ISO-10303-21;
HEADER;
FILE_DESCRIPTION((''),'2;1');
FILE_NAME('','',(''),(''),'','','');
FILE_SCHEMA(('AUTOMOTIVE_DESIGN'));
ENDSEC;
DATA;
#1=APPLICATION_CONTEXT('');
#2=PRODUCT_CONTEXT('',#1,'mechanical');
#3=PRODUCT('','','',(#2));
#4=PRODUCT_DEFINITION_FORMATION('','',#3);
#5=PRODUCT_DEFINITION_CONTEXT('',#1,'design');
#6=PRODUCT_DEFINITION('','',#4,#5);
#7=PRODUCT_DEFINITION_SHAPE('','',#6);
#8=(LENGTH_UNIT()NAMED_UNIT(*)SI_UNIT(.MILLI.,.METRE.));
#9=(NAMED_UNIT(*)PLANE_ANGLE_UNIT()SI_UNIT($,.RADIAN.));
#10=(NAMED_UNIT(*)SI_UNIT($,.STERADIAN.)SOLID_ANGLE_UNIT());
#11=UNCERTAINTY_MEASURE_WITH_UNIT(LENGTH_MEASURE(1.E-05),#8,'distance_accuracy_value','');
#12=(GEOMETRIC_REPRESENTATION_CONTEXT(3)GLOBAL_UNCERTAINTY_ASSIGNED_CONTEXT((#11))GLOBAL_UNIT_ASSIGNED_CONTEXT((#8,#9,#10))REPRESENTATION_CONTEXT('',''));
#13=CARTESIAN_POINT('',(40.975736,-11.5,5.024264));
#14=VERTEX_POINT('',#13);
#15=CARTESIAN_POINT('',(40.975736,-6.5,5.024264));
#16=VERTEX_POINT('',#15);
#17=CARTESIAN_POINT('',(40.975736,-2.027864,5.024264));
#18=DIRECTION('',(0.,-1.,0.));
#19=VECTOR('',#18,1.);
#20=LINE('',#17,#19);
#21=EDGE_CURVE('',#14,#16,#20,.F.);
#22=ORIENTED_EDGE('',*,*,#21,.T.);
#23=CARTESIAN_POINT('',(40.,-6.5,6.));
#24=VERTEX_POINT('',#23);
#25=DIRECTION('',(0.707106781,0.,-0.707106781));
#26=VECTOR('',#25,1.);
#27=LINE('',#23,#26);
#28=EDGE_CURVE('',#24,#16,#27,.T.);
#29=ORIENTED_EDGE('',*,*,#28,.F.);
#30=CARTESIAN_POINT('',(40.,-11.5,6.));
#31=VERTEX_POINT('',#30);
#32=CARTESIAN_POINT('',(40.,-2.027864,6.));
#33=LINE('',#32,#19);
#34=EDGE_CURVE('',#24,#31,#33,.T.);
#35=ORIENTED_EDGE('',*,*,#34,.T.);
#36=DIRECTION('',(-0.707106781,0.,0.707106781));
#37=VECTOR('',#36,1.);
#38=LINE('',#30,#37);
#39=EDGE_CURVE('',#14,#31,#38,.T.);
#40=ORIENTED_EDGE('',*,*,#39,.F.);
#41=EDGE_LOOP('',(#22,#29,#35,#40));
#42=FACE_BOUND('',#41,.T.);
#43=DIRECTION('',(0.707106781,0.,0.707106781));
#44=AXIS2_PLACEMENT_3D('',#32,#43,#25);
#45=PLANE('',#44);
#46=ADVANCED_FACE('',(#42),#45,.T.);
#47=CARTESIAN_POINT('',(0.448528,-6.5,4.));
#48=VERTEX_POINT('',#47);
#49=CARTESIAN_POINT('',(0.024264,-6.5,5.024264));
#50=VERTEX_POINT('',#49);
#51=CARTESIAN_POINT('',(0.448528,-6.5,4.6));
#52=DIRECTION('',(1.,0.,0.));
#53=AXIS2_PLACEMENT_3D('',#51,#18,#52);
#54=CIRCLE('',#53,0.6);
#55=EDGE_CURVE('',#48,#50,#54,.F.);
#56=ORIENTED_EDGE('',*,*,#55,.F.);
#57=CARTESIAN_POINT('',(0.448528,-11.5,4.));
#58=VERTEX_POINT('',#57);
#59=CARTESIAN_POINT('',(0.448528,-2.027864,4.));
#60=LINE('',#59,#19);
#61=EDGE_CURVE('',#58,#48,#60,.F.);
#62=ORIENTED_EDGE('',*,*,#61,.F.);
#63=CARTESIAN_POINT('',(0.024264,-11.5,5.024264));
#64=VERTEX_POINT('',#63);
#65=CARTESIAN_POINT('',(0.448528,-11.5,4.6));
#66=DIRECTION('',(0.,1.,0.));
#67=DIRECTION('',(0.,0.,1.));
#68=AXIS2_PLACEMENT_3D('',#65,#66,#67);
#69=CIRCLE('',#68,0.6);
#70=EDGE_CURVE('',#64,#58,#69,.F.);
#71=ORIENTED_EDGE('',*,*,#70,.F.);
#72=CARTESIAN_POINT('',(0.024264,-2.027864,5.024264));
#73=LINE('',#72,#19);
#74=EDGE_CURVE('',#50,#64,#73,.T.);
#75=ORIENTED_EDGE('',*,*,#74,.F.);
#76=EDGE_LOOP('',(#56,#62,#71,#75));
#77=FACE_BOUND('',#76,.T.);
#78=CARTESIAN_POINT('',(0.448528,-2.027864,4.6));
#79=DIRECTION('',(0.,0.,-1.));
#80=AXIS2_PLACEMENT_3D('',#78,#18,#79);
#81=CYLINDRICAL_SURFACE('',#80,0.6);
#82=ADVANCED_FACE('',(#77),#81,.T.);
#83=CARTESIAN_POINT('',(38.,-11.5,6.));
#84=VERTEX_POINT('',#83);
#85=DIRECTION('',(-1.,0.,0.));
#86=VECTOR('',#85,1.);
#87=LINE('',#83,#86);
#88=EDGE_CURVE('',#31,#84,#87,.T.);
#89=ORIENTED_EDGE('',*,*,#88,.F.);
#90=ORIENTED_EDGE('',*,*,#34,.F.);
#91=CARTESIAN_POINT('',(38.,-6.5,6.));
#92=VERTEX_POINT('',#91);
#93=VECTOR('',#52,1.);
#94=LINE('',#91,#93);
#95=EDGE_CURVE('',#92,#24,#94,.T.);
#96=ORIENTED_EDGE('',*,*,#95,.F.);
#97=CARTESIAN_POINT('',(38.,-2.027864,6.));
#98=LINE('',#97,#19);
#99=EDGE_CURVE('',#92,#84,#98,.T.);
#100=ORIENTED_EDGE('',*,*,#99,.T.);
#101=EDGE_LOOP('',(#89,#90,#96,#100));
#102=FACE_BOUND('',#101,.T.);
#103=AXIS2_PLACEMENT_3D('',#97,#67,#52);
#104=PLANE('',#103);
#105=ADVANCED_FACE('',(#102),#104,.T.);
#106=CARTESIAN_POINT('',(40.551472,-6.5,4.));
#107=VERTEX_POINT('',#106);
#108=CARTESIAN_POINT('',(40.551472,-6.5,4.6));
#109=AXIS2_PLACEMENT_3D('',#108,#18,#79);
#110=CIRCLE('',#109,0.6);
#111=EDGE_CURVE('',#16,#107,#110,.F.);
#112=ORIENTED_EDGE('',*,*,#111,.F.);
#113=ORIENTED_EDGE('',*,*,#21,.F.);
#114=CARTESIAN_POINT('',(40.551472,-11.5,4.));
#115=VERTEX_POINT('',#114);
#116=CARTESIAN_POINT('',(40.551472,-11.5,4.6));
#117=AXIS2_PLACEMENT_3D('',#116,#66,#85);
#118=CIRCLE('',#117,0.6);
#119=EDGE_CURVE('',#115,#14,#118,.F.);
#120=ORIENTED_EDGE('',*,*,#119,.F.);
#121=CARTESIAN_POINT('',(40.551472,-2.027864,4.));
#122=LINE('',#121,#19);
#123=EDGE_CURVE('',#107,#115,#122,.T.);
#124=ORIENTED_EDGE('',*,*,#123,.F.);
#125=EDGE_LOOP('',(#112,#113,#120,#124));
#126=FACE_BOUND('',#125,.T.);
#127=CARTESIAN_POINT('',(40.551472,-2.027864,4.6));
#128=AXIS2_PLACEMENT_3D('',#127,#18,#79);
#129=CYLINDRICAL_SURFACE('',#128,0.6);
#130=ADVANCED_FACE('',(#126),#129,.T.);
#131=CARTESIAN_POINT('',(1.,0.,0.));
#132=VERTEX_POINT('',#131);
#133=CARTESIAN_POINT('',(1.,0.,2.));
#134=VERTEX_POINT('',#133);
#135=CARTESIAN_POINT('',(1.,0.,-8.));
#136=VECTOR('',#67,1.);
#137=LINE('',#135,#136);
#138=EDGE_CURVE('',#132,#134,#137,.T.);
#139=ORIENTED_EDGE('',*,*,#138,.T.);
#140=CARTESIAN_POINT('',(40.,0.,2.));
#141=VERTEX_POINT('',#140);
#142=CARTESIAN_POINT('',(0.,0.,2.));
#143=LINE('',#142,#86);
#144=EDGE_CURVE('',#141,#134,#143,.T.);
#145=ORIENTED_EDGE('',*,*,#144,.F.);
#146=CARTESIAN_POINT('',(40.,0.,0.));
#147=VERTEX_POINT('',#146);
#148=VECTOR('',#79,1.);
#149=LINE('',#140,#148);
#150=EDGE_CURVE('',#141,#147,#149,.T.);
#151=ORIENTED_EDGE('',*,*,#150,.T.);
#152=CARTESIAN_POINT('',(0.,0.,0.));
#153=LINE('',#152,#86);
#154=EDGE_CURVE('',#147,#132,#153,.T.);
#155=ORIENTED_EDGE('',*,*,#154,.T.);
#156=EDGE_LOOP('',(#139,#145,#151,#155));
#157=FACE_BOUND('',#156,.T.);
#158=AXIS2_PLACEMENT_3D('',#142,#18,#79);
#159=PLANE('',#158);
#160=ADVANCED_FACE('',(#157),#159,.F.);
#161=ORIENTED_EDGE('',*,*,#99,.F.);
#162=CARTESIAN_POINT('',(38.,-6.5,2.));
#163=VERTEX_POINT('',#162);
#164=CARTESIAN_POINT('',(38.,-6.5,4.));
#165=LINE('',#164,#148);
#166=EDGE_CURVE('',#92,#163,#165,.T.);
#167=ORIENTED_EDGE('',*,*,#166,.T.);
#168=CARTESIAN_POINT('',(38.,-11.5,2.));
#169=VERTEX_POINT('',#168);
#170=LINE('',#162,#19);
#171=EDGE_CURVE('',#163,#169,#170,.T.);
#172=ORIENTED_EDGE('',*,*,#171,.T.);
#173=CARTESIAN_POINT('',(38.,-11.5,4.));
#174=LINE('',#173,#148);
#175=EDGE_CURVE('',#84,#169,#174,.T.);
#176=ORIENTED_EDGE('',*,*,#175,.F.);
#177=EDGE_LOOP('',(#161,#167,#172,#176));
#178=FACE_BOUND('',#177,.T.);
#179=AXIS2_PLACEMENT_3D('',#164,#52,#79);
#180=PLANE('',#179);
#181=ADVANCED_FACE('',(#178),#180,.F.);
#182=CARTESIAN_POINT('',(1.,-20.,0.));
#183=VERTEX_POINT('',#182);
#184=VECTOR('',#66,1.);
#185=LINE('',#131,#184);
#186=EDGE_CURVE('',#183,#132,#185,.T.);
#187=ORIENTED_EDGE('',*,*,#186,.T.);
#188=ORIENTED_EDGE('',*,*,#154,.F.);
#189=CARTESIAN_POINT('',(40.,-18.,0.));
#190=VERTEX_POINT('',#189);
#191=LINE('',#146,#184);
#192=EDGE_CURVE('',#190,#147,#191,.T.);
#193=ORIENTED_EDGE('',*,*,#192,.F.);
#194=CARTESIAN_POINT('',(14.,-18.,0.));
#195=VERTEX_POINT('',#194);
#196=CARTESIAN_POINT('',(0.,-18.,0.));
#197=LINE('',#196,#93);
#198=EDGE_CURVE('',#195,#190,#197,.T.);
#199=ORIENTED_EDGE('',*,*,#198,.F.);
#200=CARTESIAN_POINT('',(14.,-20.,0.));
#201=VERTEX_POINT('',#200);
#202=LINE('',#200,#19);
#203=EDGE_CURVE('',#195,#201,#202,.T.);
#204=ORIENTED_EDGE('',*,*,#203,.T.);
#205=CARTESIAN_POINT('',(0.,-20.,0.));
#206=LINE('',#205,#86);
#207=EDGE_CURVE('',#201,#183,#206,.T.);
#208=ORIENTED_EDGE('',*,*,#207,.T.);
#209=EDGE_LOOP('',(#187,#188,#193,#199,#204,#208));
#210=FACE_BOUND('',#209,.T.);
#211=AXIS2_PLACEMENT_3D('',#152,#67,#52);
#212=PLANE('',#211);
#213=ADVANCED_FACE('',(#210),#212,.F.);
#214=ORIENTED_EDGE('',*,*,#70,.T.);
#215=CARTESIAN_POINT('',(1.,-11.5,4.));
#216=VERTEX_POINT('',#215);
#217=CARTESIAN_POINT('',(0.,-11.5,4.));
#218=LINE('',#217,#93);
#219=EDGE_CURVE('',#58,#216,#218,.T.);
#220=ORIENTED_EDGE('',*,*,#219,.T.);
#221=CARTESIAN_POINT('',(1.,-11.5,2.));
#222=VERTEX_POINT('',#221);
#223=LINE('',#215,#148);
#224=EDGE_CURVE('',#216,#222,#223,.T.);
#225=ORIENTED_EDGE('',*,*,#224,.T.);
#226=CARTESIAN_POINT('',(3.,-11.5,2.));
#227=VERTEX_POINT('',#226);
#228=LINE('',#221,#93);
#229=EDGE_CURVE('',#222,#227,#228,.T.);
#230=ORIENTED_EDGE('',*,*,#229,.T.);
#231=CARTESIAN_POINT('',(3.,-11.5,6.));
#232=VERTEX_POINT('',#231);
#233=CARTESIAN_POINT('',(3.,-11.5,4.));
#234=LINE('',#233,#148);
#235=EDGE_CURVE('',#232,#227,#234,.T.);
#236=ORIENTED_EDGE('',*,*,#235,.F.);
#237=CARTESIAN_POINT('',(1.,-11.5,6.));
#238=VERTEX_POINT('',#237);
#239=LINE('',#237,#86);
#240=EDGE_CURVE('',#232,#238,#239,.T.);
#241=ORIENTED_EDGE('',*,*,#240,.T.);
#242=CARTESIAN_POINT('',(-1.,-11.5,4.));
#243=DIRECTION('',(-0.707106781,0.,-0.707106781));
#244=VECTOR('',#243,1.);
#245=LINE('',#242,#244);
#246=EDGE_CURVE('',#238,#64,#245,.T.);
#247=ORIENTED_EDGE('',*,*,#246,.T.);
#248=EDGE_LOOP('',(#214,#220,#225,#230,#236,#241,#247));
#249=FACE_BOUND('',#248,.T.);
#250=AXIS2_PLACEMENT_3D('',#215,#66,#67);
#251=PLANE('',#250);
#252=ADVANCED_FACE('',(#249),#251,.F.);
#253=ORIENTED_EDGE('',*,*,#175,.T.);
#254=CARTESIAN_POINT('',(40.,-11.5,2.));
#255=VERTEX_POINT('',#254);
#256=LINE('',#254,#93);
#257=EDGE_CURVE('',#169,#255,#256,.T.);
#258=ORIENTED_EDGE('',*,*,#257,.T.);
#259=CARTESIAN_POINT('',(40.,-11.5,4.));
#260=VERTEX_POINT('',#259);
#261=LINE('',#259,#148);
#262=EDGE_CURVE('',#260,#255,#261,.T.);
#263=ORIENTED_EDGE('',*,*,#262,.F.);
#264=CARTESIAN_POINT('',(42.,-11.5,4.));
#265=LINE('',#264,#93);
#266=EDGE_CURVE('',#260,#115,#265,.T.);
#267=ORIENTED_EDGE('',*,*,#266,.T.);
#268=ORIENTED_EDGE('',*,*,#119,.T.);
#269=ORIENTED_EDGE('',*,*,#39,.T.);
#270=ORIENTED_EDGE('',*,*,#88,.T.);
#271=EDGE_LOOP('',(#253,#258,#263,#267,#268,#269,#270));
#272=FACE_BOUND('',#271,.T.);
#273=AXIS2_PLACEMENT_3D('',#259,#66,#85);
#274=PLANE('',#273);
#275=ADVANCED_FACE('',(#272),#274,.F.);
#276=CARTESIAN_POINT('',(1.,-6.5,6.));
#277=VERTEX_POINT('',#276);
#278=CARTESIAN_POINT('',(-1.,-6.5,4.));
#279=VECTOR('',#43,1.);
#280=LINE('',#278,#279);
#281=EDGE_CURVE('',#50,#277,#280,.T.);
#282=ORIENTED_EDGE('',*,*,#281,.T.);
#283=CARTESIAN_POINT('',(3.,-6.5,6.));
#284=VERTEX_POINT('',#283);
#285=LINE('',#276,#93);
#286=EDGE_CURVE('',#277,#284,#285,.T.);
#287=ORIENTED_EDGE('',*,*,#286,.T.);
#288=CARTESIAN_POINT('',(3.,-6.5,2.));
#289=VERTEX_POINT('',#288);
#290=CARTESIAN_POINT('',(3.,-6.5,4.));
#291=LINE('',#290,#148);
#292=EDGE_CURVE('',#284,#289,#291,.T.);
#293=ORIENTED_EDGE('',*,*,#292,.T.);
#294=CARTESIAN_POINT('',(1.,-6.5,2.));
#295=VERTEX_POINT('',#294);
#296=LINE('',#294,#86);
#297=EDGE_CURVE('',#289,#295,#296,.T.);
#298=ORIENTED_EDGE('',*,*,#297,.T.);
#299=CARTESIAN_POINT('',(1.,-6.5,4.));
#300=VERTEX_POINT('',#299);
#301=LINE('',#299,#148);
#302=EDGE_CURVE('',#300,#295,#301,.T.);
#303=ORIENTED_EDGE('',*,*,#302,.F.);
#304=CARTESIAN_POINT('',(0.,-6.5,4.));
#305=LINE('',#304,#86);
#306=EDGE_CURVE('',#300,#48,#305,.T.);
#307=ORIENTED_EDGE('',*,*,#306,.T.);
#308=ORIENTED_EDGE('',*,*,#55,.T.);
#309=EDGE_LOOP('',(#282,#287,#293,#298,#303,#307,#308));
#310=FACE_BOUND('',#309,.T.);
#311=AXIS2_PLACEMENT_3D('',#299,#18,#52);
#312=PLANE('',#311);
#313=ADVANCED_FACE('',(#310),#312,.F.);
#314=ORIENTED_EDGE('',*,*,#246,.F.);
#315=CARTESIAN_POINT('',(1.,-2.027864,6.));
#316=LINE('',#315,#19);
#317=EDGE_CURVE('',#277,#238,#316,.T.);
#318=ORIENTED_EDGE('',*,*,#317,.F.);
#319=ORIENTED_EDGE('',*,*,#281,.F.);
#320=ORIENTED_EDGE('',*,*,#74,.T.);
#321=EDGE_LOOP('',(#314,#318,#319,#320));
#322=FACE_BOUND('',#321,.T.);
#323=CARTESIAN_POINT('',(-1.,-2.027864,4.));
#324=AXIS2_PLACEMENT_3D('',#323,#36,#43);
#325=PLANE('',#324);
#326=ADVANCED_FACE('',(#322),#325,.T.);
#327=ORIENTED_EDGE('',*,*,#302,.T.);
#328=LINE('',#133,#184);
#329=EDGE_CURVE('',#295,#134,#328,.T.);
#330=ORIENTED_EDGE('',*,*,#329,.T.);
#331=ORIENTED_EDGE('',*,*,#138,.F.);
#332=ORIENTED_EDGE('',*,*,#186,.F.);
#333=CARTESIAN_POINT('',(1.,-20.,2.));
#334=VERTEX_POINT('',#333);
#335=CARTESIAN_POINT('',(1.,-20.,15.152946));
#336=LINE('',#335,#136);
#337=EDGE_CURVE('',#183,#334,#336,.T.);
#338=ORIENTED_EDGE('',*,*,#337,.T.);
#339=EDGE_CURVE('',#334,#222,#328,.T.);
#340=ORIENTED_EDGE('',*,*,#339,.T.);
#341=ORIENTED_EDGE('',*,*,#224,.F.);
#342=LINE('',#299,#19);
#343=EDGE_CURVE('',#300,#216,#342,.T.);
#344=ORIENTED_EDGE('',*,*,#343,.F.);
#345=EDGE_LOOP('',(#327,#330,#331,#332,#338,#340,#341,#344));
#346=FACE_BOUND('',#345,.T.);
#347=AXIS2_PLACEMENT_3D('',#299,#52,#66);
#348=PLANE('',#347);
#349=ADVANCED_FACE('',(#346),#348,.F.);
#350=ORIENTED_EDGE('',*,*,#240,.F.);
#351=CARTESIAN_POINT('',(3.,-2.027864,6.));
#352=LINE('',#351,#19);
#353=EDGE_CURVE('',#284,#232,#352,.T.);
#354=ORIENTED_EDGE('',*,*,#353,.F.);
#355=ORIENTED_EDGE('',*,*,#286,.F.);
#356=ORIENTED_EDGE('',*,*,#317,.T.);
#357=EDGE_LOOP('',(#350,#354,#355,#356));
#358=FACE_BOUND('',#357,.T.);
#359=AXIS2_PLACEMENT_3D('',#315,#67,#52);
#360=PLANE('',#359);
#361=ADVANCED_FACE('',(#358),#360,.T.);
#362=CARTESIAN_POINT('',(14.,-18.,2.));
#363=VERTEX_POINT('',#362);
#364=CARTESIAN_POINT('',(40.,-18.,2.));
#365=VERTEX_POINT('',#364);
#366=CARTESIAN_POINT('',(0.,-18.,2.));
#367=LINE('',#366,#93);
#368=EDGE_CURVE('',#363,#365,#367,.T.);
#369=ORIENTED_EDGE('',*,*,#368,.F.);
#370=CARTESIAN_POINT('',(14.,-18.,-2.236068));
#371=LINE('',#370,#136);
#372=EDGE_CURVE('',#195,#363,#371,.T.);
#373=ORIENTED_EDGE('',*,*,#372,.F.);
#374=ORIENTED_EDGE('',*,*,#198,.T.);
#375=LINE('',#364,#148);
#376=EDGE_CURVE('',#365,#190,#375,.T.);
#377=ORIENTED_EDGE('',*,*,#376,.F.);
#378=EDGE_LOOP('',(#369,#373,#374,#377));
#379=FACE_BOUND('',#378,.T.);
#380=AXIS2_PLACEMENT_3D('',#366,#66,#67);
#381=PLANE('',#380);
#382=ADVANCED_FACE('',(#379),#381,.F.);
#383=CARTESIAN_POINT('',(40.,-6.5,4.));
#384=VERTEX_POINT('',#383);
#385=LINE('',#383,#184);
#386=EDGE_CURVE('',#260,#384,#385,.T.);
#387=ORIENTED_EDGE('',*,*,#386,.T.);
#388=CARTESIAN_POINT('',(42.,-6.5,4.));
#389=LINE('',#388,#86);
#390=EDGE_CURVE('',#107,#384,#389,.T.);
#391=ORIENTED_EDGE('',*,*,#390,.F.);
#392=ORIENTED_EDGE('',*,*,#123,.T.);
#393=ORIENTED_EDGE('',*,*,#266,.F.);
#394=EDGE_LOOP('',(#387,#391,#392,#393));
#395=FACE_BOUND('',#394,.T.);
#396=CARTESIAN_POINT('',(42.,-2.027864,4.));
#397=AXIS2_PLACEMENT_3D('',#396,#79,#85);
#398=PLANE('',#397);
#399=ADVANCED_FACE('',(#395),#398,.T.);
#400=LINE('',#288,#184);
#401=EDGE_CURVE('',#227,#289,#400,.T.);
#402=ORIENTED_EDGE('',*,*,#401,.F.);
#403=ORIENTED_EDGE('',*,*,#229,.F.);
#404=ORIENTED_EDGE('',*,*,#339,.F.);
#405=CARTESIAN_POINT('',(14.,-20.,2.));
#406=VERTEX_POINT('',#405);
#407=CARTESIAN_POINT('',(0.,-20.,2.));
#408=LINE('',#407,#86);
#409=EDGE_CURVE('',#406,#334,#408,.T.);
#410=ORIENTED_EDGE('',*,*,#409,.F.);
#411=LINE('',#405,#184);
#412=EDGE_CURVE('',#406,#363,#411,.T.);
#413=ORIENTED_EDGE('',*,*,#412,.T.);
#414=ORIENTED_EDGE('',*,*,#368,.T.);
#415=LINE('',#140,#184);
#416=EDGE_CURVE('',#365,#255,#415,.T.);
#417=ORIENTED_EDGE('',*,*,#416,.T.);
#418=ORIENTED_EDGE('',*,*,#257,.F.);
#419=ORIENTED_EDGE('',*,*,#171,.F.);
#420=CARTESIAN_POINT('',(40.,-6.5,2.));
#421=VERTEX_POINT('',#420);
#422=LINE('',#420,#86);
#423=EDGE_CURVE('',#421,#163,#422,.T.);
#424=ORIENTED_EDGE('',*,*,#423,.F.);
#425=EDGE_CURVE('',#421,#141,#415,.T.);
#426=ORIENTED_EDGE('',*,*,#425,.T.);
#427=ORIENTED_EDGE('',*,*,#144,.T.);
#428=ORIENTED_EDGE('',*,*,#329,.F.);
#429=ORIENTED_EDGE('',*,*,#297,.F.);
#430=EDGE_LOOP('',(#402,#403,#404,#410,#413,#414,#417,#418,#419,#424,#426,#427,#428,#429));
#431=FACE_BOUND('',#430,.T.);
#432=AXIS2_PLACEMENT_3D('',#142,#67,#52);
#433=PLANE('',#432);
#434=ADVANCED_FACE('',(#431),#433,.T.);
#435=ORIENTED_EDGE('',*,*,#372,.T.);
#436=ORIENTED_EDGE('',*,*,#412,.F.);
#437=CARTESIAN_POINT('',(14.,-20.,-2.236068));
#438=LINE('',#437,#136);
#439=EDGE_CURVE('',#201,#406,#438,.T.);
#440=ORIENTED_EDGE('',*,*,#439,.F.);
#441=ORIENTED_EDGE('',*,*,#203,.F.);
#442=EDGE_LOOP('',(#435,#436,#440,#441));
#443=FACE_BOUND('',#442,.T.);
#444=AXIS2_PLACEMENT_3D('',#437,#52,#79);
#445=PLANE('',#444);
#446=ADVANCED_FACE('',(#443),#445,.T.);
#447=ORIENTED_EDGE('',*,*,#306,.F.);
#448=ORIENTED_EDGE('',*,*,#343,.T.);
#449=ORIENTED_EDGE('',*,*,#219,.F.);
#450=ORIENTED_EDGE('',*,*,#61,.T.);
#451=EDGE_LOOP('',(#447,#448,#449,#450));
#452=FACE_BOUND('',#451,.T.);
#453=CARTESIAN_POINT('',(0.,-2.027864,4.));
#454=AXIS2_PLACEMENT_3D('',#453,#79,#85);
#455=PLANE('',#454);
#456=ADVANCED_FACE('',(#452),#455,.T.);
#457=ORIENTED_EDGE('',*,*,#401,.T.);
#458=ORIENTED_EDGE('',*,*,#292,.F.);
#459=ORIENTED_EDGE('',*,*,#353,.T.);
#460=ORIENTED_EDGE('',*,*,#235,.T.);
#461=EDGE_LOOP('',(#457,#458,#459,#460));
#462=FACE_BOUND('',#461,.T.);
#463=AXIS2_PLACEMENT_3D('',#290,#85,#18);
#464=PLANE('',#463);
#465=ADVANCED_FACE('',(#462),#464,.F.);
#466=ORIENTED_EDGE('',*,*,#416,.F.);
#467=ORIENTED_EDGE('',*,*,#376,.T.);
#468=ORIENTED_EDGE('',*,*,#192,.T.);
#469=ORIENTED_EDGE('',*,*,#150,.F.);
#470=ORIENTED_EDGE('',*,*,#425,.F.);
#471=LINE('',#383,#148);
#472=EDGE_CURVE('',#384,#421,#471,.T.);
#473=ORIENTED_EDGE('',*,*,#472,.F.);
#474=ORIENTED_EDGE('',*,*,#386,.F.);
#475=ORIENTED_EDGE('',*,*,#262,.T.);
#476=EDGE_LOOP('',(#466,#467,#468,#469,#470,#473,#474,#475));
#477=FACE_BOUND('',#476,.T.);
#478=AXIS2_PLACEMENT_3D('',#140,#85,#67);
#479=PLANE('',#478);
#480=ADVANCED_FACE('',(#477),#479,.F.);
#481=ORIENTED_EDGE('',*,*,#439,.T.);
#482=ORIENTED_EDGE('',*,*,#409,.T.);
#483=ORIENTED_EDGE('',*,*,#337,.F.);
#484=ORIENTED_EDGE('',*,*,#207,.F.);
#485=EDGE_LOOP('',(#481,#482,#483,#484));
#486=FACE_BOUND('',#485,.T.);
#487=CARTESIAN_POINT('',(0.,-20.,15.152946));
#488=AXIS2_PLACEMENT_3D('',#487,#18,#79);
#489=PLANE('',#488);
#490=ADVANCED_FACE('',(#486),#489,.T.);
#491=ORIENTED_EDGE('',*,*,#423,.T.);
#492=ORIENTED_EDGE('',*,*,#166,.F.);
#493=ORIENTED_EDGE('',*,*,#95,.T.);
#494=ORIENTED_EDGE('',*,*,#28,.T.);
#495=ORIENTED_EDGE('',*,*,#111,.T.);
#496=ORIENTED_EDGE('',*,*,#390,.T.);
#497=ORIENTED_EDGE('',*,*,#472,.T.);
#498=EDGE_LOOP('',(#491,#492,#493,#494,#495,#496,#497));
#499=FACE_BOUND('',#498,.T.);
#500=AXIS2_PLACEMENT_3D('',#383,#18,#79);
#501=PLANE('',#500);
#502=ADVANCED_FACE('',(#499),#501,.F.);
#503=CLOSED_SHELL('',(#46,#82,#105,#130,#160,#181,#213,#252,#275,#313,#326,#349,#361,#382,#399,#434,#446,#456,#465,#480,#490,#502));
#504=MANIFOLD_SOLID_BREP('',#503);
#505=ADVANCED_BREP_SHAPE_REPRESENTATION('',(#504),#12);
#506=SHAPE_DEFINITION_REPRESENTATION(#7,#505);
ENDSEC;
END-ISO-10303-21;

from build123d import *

# Parameters (mm, degrees)
SKETCH1_W           = 40
SKETCH1_H           = 18
BOSS_EXTRUDE1_DEPTH = 2
SKETCH2_W           = 2
SKETCH2_H           = 5
BOSS_EXTRUDE2_DEPTH = 2
BOSS_EXTRUDE3_DEPTH = 5
FILLET1_R           = 0.6
SKETCH4_W           = 13
SKETCH4_H           = 2
BOSS_EXTRUDE4_DEPTH = 2
SKETCH5_W           = 1
SKETCH5_H           = 20
CUT_EXTRUDE1_DEPTH  = 10
SKETCH6_W           = 1
SKETCH6_H           = 2
BOSS_EXTRUDE5_DEPTH = 2


with BuildPart() as part:
    # Sketch1 → Boss-Extrude1 (new body)
    with BuildSketch(Plane.XY):
        with Locations((20, -9)):
            Rectangle(SKETCH1_W, SKETCH1_H)
    extrude(amount=BOSS_EXTRUDE1_DEPTH)

    # Sketch2 → Boss-Extrude2 (add)
    with BuildSketch(Plane.XY.offset(2)):
        with Locations((2, -9)):
            Rectangle(SKETCH2_W, SKETCH2_H)
        with Locations((39, -9)):
            Rectangle(SKETCH2_W, SKETCH2_H)
    extrude(amount=BOSS_EXTRUDE2_DEPTH)

    # Sketch3 → Boss-Extrude3 (add)
    with BuildSketch(Plane.XZ.offset(11.5)):
        Polygon((0, 4), (-1, 4), (1, 6), (3, 6), (3, 4), align=None)
        Polygon((38, 4), (38, 6), (40, 6), (42, 4), (40, 4), align=None)
    extrude(amount=-BOSS_EXTRUDE3_DEPTH)

    # Fillet1
    fillet1_edges = [part.edges().sort_by_distance(p)[0] for p in [
        (-1, -9, 4),
        (42, -9, 4),
    ]]
    fillet(fillet1_edges, radius=FILLET1_R)

    # Sketch4 → Boss-Extrude4 (add)
    with BuildSketch(Plane(origin=(0, 0, 0), x_dir=(-1, 0, 0), z_dir=(0, 0, -1))):
        with Locations((-6.5, -19)):
            Rectangle(SKETCH4_W, SKETCH4_H)
    extrude(amount=-BOSS_EXTRUDE4_DEPTH)

    # Sketch5 → Cut-Extrude1 (cut)
    with BuildSketch(Plane.XY.offset(2)):
        with Locations((0.5, -10)):
            Rectangle(SKETCH5_W, SKETCH5_H)
    extrude(amount=-CUT_EXTRUDE1_DEPTH, mode=Mode.SUBTRACT)

    # Sketch6 → Boss-Extrude5 (add)
    with BuildSketch(Plane.XY.offset(2)):
        with Locations((13.5, -19)):
            Rectangle(SKETCH6_W, SKETCH6_H)
    extrude(amount=-BOSS_EXTRUDE5_DEPTH)


solid = part.part
